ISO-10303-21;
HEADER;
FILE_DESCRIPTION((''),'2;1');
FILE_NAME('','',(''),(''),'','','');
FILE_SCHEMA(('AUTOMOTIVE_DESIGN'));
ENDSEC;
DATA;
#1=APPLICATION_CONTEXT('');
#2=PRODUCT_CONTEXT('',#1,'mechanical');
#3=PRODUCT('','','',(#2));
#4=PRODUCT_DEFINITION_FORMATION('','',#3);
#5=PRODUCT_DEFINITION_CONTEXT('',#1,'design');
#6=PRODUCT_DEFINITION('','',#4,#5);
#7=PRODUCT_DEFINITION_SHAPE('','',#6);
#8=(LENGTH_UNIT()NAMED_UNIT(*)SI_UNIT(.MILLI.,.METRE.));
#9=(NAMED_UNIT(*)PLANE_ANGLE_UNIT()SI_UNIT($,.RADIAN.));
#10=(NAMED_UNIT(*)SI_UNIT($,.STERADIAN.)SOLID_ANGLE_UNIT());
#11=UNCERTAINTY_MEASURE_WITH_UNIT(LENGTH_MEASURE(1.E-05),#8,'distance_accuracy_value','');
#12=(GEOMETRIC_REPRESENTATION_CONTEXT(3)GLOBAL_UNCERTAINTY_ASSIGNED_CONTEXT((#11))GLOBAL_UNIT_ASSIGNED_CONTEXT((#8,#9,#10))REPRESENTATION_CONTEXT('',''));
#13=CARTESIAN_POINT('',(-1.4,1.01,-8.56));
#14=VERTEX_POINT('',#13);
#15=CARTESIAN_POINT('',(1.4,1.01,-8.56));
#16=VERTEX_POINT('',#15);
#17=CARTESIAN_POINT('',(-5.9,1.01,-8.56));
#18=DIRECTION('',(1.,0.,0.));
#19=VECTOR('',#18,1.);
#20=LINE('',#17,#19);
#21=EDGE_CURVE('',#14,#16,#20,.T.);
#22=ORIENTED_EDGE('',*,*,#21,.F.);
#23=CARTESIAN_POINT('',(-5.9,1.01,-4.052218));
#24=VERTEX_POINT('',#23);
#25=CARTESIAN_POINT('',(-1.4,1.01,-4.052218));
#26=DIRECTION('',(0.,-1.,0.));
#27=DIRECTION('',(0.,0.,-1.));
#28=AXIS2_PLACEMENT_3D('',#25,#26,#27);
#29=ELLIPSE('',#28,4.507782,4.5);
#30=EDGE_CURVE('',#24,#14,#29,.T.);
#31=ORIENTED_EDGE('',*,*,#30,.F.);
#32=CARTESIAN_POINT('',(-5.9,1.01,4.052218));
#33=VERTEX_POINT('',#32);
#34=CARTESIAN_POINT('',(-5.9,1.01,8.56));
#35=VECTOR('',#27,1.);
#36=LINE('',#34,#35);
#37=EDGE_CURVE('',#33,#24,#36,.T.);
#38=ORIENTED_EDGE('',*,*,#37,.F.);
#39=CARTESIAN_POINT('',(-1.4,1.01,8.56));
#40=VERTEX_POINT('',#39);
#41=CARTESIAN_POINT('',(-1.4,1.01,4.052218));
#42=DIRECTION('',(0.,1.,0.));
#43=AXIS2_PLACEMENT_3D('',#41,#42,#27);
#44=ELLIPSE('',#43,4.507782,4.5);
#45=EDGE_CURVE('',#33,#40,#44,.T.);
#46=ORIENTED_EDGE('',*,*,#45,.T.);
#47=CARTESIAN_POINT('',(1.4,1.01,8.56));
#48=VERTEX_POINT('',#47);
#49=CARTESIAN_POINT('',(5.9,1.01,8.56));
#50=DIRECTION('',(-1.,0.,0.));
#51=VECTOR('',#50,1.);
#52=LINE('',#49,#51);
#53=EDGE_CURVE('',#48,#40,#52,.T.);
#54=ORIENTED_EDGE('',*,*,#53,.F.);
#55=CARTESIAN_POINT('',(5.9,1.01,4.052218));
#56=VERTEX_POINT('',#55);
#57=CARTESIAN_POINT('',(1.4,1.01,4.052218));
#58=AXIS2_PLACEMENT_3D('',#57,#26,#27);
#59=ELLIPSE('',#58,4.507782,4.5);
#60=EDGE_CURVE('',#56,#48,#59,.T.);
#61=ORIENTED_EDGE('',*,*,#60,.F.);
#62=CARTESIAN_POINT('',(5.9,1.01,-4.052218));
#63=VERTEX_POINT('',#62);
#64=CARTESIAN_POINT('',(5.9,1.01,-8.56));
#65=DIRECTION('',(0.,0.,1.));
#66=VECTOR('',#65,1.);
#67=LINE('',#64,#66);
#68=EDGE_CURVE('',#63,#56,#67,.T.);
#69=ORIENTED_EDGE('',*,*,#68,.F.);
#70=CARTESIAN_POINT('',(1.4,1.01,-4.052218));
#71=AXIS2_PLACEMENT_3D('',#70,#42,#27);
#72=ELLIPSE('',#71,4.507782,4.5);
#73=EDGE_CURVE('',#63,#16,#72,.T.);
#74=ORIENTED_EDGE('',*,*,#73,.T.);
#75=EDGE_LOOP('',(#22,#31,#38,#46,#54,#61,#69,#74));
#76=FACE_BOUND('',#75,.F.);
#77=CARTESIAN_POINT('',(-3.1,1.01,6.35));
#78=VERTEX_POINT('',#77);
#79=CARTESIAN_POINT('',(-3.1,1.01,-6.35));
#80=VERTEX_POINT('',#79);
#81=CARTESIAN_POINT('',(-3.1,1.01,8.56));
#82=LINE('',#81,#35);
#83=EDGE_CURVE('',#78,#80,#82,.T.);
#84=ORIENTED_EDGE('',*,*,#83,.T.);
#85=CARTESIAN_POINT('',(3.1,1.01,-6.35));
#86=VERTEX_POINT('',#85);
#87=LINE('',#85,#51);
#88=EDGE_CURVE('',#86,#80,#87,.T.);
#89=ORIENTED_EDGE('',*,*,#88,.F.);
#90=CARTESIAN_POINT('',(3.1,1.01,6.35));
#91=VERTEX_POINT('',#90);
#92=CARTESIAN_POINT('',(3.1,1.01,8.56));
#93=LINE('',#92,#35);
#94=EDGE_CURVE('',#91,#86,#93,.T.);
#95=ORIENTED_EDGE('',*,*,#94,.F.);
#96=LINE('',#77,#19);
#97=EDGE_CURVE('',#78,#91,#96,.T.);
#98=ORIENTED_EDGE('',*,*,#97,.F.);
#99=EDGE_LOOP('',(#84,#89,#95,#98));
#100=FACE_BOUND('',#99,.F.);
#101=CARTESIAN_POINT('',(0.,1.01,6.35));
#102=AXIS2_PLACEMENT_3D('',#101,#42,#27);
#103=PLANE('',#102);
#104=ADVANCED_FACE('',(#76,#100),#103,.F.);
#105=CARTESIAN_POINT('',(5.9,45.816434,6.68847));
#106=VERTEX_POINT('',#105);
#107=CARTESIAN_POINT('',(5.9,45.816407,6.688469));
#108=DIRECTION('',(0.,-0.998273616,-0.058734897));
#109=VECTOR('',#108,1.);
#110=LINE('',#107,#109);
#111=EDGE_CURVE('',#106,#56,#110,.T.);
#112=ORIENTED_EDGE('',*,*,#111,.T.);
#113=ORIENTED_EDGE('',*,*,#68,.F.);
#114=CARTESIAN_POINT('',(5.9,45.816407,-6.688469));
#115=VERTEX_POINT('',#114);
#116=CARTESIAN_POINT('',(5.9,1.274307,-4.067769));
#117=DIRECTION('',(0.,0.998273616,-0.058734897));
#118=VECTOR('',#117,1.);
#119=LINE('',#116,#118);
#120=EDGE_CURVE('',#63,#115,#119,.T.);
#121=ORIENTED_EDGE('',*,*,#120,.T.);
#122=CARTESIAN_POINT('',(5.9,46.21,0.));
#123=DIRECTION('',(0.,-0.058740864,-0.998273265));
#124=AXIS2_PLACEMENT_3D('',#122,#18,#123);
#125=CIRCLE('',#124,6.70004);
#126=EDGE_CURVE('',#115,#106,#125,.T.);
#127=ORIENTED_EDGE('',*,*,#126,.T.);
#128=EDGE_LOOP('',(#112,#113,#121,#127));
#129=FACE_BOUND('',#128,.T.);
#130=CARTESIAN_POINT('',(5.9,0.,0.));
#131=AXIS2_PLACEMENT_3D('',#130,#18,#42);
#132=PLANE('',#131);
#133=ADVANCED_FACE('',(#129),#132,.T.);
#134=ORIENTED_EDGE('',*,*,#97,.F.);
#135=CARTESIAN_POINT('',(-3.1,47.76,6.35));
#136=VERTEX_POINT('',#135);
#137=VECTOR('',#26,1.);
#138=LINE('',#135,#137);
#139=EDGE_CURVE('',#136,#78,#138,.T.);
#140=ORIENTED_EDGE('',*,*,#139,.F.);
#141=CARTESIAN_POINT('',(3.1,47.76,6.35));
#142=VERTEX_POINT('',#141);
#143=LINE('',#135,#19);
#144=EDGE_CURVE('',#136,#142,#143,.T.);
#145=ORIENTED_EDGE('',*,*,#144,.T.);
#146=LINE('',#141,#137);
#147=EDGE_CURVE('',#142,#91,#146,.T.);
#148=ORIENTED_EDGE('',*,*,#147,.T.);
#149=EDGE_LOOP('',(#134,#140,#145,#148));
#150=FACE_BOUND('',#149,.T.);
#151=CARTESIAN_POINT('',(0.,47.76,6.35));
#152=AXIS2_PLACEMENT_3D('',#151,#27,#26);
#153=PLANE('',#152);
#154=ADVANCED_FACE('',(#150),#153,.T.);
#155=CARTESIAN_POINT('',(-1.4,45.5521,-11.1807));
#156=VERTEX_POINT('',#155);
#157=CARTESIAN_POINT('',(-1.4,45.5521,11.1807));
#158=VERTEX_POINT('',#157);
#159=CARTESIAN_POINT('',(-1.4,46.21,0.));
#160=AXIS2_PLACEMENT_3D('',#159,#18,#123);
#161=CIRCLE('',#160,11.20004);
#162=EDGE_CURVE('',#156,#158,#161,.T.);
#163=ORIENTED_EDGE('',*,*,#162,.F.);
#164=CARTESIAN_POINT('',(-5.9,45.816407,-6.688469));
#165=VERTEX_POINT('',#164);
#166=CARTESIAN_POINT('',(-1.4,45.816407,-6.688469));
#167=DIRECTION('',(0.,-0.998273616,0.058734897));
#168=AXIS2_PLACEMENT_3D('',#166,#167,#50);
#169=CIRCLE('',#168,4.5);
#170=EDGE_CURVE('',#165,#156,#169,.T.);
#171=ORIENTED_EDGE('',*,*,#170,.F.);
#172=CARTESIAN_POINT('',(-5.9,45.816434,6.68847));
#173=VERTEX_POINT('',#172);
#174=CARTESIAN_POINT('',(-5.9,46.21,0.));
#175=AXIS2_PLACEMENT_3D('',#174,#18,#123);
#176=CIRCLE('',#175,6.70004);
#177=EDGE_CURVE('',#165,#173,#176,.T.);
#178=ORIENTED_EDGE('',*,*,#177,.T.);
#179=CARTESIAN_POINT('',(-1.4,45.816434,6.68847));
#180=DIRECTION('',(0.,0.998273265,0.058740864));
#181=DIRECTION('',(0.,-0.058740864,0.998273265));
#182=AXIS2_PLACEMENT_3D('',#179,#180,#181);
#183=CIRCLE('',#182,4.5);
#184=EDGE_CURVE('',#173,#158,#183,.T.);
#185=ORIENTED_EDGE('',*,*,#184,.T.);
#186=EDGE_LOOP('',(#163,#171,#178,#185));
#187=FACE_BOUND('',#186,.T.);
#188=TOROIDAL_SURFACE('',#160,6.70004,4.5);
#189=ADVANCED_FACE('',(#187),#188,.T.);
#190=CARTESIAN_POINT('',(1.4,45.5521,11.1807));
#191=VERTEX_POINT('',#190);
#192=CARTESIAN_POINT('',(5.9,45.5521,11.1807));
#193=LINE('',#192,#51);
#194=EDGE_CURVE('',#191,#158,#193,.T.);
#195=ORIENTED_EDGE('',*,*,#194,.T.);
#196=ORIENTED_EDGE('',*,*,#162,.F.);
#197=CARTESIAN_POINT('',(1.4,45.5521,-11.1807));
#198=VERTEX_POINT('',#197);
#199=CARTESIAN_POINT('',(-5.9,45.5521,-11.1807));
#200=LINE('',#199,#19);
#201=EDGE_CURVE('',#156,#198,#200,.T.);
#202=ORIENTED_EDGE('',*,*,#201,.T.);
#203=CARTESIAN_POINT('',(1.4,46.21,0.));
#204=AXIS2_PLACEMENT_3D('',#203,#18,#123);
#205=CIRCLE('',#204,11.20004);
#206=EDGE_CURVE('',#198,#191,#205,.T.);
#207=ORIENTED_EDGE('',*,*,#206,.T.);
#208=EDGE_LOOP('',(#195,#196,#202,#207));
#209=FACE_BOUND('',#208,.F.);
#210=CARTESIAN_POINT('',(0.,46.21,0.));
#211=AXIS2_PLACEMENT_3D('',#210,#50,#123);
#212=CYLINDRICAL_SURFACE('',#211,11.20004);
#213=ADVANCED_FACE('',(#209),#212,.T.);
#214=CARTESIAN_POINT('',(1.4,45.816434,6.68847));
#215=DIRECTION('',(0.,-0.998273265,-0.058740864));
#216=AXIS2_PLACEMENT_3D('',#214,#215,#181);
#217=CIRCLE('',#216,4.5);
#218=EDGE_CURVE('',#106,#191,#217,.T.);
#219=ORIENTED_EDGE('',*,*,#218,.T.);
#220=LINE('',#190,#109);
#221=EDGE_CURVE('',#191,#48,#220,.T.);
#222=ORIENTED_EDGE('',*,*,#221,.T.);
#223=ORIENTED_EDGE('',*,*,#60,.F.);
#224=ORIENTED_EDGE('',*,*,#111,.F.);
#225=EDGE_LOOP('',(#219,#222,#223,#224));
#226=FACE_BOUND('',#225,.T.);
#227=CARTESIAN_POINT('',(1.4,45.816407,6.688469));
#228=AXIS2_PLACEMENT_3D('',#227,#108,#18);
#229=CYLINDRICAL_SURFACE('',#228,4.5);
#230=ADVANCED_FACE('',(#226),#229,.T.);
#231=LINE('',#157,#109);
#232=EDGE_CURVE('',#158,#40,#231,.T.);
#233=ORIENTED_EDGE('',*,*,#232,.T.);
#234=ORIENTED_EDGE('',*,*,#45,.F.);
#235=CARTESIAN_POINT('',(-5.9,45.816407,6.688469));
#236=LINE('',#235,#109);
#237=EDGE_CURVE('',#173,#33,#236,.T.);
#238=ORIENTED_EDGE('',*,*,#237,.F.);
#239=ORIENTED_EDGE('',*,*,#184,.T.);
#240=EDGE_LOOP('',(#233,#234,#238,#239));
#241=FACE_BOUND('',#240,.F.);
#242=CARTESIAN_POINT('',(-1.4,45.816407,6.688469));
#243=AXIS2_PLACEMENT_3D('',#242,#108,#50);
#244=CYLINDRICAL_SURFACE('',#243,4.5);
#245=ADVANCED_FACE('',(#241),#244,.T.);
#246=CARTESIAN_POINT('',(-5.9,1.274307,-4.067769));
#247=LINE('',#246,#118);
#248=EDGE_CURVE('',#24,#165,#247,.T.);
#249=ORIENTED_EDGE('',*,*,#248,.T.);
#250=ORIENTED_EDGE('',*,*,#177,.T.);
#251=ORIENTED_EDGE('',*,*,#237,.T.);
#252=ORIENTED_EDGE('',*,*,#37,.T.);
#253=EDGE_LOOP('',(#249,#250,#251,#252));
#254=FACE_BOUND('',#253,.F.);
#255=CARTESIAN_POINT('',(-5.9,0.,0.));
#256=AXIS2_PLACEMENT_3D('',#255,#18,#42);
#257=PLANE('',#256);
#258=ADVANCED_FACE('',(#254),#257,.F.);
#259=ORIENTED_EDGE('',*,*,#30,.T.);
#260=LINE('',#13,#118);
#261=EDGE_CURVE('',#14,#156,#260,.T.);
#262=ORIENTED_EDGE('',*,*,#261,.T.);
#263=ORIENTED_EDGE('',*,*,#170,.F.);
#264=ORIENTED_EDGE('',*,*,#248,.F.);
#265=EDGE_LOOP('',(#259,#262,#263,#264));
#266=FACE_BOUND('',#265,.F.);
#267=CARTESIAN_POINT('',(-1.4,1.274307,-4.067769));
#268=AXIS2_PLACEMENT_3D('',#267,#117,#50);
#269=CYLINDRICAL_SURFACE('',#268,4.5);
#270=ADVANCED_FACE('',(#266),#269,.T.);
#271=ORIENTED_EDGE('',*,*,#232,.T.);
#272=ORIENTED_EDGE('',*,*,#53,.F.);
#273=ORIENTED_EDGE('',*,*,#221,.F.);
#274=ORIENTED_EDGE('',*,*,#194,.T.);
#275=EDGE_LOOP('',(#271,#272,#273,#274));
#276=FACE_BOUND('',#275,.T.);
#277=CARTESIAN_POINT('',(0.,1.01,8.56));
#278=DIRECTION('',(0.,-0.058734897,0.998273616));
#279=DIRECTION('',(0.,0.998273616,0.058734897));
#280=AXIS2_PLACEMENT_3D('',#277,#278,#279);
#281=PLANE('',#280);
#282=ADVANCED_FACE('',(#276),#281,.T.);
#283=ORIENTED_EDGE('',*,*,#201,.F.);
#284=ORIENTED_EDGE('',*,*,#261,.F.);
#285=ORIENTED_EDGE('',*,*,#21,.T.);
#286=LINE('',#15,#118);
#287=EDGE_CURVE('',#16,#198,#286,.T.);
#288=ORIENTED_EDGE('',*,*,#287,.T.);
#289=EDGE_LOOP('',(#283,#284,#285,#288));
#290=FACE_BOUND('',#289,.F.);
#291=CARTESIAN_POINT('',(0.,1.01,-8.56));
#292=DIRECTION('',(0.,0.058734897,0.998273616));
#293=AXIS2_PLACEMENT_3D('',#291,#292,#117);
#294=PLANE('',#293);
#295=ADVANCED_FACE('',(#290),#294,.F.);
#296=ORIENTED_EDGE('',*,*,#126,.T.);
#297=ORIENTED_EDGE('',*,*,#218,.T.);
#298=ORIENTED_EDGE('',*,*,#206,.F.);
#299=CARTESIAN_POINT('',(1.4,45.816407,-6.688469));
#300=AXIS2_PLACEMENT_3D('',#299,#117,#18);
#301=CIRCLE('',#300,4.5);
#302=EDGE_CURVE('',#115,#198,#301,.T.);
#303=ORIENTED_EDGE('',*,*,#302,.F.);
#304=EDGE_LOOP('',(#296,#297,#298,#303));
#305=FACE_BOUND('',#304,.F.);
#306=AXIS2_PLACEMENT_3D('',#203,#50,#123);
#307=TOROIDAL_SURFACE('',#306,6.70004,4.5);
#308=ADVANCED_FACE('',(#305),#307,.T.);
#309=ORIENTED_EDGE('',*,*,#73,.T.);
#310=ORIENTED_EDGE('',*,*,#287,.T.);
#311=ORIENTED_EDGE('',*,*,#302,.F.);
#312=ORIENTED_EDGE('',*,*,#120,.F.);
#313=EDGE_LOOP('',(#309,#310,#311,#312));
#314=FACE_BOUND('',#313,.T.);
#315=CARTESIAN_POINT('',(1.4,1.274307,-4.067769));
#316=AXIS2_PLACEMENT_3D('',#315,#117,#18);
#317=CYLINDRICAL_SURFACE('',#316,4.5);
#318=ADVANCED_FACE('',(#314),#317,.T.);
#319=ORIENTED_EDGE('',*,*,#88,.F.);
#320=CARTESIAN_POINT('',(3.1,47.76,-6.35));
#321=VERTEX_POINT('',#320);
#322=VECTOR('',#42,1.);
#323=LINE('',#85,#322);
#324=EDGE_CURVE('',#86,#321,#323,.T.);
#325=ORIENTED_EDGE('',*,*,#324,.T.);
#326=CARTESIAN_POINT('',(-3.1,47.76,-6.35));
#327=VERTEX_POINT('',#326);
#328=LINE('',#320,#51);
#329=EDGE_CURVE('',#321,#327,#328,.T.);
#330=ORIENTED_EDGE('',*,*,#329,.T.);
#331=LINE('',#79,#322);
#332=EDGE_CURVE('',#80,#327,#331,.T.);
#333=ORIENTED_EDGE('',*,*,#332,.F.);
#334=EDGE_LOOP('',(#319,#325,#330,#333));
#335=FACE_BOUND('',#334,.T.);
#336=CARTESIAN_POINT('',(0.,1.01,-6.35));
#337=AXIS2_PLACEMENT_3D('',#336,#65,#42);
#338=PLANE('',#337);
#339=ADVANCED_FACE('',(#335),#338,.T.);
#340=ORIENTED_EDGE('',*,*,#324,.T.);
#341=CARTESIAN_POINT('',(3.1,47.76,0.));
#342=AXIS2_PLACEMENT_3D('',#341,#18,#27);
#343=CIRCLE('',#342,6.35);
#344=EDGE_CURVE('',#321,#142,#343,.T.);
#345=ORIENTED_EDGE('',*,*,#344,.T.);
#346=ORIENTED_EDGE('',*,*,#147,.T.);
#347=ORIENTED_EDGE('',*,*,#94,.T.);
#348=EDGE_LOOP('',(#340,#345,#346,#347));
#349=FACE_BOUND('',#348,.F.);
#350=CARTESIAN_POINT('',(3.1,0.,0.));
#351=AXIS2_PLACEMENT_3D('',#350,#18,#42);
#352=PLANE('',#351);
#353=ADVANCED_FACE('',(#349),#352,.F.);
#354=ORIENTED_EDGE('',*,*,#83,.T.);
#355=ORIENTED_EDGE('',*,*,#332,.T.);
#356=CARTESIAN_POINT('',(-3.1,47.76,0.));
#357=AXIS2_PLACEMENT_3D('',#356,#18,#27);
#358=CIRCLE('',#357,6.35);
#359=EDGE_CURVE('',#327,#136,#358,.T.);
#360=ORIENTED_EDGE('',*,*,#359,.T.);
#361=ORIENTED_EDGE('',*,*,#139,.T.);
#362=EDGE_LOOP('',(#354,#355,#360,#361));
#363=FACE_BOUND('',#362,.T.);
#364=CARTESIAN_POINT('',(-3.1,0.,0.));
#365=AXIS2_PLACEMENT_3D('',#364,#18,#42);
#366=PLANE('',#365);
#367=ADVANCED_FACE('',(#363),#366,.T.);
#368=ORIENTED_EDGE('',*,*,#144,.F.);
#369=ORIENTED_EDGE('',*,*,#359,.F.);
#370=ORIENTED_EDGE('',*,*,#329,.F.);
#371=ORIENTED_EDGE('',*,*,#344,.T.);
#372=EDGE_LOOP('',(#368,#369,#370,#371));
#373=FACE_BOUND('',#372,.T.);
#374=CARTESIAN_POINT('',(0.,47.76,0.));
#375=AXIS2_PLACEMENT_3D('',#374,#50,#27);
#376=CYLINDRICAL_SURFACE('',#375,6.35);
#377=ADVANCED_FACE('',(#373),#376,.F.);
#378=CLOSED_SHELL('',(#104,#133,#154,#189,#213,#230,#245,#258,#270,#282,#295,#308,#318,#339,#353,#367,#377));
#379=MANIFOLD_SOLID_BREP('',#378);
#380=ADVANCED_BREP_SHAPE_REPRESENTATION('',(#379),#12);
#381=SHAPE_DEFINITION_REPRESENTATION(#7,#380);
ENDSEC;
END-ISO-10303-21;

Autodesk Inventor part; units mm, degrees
ref_plane "YZ Plane" through (0, 0, 0) normal (1, 0, 0) x (0, 1, 0)
ref_plane "XZ Plane" through (0, 0, 0) normal (0, 1, 0) x (-1, 0, 0)
ref_plane "XY Plane" through (0, 0, 0) normal (0, 0, 1) x (1, 0, 0)
sketch "Sketch1" plane through (0, 0, 0) normal (1, 0, 0) x (0, 1, 0)
  line L0 (47.76, 6.35) -> (1.01, 6.35)
  arc A0 (47.76, -6.35) -> (47.76, 6.35) centre (47.76, 0) ccw
  line L1 (1.01, -6.35) -> (47.76, -6.35)
  arc A1 (45.5521, -11.1807) -> (45.5521, 11.1807) centre (46.21, 0) ccw
  line L2 (1.01, 8.56) -> (45.5521, 11.1807)
  line L3 (1.01, -8.56) -> (45.5521, -11.1807)
  line L4 (1.01, 8.56) -> (1.01, -8.56)
  point P0 (0.24, 0)
  point P1 (1.01, 0)
  point P2 (0, 0)
  dimension "d0" = 17.12
  dimension "d2" = 11.2
  dimension "d3" = 2.21
  dimension "d4" = 46.75
  dimension "d5" = 45.2
  dimension "d7" = 8.5
  dimension "d9" = 0.24
extrude "Extrusion1" add sketch "Sketch1" along normal mid plane 11.8
fillet "Fillet1" radius 4.5 6 edges at (5.9, 57.41, 0) (5.9, 23.281, 9.8703) (5.9, 23.281, -9.8703) (-5.9, 57.41, 0) (-5.9, 23.281, 9.8703) (-5.9, 23.281, -9.8703)
extrude "Extrusion2" cut sketch "Sketch1" along normal mid plane 6.2 contours A0 L1 L4 L0
properties part number "Grip_1"
